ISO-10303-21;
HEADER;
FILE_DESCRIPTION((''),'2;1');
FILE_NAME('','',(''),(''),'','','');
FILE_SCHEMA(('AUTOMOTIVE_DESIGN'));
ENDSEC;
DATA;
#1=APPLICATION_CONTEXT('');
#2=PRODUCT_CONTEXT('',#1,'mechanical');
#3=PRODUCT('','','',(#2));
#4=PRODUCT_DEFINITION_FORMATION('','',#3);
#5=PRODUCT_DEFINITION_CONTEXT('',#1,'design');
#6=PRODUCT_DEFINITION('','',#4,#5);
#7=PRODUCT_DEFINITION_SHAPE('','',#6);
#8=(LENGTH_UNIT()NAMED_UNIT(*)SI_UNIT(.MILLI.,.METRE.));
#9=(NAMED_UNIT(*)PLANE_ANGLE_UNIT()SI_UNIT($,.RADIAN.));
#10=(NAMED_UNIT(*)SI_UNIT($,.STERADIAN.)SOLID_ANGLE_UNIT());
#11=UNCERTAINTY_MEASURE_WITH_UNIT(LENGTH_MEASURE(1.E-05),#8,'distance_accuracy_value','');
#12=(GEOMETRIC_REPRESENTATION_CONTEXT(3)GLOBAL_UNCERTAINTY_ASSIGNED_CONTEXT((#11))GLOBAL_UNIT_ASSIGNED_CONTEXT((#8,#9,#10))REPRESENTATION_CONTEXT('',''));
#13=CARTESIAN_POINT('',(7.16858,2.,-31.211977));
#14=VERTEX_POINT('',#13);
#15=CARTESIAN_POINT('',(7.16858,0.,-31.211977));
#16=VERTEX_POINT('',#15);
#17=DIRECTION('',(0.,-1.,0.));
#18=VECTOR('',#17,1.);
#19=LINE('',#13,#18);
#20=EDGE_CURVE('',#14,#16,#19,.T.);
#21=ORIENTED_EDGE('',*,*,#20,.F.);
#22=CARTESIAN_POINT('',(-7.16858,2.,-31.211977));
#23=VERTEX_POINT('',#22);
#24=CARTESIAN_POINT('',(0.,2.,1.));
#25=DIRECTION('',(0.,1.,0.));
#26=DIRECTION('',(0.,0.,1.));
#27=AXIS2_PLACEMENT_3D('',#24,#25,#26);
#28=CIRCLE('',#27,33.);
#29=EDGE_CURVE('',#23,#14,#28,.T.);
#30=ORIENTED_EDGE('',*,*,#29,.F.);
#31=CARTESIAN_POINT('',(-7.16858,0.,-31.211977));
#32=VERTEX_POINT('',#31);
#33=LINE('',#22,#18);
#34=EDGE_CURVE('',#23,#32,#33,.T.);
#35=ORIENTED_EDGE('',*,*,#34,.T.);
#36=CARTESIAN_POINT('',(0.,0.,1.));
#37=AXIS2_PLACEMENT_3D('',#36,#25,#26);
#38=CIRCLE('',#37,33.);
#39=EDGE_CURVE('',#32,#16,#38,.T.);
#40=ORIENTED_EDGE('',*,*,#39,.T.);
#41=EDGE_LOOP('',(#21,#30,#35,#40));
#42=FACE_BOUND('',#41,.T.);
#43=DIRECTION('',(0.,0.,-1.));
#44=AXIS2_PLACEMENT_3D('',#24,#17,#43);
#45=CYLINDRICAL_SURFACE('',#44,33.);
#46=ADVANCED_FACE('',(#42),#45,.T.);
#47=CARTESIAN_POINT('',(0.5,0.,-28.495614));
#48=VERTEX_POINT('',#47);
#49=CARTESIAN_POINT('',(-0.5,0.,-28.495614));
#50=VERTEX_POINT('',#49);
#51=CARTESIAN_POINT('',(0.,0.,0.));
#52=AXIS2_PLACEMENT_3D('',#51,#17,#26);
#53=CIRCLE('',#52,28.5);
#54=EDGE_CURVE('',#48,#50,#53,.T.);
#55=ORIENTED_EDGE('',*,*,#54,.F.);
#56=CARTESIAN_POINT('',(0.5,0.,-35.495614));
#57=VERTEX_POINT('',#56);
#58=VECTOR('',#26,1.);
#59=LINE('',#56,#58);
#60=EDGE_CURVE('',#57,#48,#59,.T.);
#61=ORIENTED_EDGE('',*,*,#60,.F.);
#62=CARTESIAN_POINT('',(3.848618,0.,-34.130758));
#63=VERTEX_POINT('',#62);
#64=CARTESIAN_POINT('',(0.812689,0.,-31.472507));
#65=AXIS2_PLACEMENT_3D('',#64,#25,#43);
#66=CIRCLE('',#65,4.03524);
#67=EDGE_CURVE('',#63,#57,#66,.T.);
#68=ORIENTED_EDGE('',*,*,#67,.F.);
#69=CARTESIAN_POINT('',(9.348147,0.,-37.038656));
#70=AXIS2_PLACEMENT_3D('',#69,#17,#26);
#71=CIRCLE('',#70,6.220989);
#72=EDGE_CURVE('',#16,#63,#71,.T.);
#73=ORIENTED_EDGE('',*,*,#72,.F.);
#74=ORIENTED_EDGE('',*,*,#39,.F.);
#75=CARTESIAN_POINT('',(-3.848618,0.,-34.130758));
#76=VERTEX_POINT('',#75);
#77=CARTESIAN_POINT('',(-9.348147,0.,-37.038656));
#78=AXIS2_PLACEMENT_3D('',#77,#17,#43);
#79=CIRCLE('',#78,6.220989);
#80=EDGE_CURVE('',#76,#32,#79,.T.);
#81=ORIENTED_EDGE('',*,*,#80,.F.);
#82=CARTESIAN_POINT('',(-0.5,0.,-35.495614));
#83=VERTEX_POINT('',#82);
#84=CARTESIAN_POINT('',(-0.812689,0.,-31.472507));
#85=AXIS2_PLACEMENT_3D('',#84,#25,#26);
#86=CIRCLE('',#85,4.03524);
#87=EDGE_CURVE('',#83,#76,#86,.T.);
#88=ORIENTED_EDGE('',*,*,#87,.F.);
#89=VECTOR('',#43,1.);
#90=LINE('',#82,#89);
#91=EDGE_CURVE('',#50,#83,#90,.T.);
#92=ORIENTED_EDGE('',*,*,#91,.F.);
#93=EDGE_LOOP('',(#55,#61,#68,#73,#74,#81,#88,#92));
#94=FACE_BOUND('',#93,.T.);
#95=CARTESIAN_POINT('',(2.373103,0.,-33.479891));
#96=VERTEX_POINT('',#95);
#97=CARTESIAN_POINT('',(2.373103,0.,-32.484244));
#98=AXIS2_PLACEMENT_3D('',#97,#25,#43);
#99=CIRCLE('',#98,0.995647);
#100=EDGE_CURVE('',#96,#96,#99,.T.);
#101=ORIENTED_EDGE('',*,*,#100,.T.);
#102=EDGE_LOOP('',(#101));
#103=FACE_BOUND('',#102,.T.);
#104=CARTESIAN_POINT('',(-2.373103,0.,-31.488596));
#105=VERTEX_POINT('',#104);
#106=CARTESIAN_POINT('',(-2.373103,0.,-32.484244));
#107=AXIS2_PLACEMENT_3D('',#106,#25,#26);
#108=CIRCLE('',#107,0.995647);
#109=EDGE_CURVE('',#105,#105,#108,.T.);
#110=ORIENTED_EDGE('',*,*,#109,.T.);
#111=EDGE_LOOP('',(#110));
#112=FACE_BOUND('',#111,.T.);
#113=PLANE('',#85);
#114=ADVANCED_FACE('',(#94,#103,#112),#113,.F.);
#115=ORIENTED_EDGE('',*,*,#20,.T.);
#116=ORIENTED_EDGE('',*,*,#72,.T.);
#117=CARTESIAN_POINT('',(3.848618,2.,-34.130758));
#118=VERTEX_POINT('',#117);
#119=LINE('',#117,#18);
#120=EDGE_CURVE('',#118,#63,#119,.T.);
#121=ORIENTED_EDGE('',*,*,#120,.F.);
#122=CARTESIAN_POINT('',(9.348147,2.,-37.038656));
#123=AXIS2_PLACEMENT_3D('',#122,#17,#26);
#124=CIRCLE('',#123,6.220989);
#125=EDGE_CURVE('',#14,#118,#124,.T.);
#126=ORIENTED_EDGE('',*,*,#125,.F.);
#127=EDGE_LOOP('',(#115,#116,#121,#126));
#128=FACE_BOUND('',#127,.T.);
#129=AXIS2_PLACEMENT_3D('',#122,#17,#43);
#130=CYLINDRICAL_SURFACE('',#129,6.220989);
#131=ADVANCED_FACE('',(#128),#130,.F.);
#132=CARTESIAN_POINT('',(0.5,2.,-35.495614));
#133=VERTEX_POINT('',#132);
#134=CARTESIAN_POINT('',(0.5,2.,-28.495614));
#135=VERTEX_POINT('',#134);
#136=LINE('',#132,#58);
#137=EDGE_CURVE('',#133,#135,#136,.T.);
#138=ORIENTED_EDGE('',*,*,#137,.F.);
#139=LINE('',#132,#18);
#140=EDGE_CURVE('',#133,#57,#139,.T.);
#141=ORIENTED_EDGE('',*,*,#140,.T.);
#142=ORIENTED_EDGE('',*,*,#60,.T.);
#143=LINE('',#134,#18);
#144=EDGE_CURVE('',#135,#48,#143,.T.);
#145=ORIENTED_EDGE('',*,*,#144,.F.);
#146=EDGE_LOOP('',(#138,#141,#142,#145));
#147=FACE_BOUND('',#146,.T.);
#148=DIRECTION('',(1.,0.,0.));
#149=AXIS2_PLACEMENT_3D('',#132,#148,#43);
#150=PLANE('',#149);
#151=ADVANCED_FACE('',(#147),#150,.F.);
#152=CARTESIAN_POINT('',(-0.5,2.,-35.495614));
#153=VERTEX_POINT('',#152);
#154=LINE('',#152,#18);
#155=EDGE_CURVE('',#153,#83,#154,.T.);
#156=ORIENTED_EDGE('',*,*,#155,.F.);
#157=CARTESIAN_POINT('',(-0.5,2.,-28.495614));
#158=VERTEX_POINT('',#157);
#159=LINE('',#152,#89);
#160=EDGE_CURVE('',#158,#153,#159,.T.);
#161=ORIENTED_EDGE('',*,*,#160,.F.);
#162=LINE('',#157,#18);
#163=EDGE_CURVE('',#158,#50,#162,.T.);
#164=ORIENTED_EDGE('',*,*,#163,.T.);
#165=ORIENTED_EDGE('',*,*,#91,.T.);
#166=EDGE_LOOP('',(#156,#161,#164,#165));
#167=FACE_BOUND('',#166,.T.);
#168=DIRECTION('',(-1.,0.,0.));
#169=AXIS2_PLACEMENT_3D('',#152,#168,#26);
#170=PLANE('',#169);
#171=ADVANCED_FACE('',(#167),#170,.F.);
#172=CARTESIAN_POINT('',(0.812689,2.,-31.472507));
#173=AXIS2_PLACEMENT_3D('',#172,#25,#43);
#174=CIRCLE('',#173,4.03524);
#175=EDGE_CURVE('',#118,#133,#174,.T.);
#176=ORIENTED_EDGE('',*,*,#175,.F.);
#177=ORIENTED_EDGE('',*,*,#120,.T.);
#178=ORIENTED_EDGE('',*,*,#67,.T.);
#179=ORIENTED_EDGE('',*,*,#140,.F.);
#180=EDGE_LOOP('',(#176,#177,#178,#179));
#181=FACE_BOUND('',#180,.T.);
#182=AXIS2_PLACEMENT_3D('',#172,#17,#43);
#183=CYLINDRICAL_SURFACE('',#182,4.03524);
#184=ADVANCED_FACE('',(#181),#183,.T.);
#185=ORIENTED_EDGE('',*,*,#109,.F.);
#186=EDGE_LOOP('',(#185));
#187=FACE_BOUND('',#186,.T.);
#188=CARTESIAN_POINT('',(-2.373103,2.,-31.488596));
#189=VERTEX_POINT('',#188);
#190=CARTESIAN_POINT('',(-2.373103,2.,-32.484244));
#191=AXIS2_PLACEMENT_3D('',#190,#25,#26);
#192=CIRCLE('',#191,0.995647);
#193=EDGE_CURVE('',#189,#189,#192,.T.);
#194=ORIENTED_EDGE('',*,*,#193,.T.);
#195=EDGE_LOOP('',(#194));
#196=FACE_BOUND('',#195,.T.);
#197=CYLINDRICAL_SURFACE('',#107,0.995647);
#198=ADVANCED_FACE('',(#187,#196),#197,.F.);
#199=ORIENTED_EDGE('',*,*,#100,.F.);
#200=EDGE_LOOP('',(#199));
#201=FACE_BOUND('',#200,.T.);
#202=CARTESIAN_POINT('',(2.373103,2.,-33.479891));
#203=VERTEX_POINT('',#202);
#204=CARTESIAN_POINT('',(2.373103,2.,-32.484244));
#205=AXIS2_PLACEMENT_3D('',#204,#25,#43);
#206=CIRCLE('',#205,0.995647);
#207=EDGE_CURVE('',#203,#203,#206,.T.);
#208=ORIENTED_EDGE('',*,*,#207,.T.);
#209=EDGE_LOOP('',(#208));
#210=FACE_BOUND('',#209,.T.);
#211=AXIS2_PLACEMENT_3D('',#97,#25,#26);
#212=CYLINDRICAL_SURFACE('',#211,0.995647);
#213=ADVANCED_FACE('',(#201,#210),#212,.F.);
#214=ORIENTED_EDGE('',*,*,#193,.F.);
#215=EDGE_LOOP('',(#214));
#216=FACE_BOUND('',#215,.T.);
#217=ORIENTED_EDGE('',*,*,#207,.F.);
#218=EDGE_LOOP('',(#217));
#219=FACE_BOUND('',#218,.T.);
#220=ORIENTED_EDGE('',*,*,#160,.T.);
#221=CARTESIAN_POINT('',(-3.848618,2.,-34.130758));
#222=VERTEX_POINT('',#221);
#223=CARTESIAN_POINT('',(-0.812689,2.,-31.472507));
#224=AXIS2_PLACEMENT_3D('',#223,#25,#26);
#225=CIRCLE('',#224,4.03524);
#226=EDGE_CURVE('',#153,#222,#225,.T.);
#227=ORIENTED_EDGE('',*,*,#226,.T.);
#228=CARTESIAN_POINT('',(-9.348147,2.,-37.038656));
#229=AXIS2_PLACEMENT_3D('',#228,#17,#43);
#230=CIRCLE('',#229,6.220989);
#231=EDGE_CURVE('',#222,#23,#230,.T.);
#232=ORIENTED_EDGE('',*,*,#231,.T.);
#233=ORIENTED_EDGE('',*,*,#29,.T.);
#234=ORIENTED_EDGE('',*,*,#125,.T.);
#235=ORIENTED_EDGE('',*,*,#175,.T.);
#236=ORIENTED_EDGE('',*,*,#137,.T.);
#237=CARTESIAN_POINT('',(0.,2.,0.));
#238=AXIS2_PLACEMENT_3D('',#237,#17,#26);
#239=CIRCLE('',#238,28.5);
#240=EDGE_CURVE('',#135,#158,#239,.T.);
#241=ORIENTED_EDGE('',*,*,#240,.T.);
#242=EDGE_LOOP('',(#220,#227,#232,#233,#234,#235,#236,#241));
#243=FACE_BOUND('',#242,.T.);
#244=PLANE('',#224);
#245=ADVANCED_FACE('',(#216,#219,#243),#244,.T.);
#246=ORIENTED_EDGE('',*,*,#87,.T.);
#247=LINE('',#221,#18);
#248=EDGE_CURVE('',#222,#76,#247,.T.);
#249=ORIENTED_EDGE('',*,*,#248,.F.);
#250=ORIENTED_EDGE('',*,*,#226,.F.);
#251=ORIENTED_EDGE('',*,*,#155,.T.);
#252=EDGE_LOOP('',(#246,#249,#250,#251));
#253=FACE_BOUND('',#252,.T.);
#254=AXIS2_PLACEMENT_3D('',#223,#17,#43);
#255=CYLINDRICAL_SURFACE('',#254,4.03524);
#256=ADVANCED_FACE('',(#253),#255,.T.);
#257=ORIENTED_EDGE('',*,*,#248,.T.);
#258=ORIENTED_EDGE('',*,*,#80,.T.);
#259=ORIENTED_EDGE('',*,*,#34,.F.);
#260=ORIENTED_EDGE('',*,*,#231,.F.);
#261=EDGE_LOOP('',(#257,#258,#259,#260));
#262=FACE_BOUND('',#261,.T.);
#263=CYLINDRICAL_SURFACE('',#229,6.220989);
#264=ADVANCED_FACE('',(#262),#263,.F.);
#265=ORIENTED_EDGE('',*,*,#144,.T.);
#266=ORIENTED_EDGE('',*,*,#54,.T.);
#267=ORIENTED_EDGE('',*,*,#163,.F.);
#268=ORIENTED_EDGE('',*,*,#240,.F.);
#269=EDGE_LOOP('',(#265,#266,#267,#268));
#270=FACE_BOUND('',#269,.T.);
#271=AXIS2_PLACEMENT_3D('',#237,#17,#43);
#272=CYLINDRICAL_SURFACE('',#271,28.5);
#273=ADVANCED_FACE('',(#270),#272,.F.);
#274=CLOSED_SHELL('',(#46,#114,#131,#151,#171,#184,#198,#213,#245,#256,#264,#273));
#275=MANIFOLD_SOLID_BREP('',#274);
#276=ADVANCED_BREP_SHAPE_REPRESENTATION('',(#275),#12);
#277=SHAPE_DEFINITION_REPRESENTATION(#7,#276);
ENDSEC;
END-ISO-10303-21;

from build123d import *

# Parameters (mm, degrees)
RESSALTO_EXTRUS_O1_DEPTH = 2
ESBO_O2_R                = 0.995647449
CORTE_EXTRUS_O1_DEPTH    = 2


with BuildPart() as part:
    # Esboço1 → Ressalto-extrusão1 (new body)
    with BuildSketch(Plane(origin=(0, 0, 0), x_dir=(1, 0, 0), z_dir=(0, 1, 0))):
        with BuildLine():
            Line((-0.5, 35.495613698), (-0.5, 28.495613698))
            ThreePointArc((-0.5, 28.495613698), (0, -28.5), (0.5, 28.495613698))
            Line((0.5, 28.495613698), (0.5, 35.495613698))
            ThreePointArc((0.5, 35.495613698), (2.33575042, 35.209276303), (3.8486175, 34.130757919))
            ThreePointArc((3.8486175, 34.130757919), (5.24059873, 32.366531639), (7.168579512, 31.211977086))
            ThreePointArc((7.168579512, 31.211977086), (0, -34), (-7.168579512, 31.211977086))
            ThreePointArc((-7.168579512, 31.211977086), (-5.24059873, 32.366531639), (-3.8486175, 34.130757919))
            ThreePointArc((-3.8486175, 34.130757919), (-2.33575042, 35.209276303), (-0.5, 35.495613698))
        make_face()
    extrude(amount=RESSALTO_EXTRUS_O1_DEPTH)

    # Esboço2 → Corte-extrusão1 (cut)
    with BuildSketch(Plane(origin=(0, 2, 0), x_dir=(1, 0, 0), z_dir=(0, 1, 0))):
        with Locations(Location((-2.373103124, 32.484243676, 0), (0, 0, 270))):
            Circle(ESBO_O2_R)
        with Locations(Location((2.373103124, 32.484243676, 0), (0, 0, 90))):
            Circle(ESBO_O2_R)
    extrude(amount=-CORTE_EXTRUS_O1_DEPTH, mode=Mode.SUBTRACT)


solid = part.part
